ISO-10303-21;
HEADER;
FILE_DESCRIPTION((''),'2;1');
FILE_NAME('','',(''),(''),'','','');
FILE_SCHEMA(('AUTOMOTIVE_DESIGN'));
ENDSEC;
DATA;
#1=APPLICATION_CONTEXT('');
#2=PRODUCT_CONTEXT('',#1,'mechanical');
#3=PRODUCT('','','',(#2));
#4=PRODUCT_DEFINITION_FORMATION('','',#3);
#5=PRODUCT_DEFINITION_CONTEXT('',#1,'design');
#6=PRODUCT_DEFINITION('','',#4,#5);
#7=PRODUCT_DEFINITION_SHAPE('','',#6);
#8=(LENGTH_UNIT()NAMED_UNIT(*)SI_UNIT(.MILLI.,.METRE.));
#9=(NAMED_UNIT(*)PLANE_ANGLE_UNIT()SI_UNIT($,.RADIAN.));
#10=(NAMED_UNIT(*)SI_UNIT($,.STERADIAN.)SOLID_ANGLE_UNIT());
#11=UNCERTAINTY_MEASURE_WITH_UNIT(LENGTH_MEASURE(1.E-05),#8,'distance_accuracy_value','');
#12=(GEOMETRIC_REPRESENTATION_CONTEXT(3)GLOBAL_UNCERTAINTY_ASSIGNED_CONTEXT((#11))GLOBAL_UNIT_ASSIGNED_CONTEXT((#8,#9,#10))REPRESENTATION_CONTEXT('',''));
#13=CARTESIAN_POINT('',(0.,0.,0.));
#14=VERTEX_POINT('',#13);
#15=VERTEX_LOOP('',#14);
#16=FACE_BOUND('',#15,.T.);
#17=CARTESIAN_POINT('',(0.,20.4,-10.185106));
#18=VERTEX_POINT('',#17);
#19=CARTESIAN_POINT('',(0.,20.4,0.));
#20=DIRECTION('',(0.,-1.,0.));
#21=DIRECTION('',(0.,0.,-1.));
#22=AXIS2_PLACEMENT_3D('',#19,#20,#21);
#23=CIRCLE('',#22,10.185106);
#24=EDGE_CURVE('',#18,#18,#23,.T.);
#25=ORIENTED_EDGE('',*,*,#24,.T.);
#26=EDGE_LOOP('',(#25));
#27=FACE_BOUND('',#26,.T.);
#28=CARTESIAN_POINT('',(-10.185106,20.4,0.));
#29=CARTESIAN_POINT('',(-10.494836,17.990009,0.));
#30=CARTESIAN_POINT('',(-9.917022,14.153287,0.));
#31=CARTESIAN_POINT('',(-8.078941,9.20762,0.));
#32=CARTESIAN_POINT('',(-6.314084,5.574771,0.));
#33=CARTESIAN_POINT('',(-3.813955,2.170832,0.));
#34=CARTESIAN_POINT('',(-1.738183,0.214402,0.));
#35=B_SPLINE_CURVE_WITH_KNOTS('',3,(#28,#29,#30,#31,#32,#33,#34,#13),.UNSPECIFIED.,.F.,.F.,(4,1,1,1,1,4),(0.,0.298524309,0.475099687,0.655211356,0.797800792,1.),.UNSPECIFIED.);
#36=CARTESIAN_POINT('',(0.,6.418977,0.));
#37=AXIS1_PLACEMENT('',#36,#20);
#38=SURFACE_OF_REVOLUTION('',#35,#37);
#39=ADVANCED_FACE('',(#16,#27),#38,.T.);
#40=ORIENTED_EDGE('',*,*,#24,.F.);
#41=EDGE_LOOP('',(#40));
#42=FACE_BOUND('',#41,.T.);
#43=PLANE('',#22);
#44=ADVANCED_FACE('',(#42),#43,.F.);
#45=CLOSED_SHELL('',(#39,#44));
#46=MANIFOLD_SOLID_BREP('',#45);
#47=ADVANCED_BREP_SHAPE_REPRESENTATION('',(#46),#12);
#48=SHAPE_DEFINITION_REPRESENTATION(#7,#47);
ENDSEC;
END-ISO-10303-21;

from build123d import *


with BuildPart() as part:
    # Sketch1 → Revolve1 (revolve)
    with BuildSketch(Plane.XY):
        with BuildLine():
            Line((0, 0), (0, 20.4))
            Line((0, 20.4), (-10.185106394, 20.4))
            add(Edge.make_bspline(
                [(0, 0), (-1.738183364, 0.214402458), (-3.813954996, 2.170832204), (-6.314083756, 5.57477106), (-8.078941369, 9.207620316), (-9.917022422, 14.153287067), (-10.494836411, 17.990009061), (-10.185106394, 20.4)],
                knots=[0, 0, 0, 0, 0.202199208, 0.344788644, 0.524900313, 0.701475691, 1, 1, 1, 1], degree=3))
        make_face()
    revolve(axis=Axis((0, 6.418976967, 0), (0, 1, 0)))


solid = part.part
